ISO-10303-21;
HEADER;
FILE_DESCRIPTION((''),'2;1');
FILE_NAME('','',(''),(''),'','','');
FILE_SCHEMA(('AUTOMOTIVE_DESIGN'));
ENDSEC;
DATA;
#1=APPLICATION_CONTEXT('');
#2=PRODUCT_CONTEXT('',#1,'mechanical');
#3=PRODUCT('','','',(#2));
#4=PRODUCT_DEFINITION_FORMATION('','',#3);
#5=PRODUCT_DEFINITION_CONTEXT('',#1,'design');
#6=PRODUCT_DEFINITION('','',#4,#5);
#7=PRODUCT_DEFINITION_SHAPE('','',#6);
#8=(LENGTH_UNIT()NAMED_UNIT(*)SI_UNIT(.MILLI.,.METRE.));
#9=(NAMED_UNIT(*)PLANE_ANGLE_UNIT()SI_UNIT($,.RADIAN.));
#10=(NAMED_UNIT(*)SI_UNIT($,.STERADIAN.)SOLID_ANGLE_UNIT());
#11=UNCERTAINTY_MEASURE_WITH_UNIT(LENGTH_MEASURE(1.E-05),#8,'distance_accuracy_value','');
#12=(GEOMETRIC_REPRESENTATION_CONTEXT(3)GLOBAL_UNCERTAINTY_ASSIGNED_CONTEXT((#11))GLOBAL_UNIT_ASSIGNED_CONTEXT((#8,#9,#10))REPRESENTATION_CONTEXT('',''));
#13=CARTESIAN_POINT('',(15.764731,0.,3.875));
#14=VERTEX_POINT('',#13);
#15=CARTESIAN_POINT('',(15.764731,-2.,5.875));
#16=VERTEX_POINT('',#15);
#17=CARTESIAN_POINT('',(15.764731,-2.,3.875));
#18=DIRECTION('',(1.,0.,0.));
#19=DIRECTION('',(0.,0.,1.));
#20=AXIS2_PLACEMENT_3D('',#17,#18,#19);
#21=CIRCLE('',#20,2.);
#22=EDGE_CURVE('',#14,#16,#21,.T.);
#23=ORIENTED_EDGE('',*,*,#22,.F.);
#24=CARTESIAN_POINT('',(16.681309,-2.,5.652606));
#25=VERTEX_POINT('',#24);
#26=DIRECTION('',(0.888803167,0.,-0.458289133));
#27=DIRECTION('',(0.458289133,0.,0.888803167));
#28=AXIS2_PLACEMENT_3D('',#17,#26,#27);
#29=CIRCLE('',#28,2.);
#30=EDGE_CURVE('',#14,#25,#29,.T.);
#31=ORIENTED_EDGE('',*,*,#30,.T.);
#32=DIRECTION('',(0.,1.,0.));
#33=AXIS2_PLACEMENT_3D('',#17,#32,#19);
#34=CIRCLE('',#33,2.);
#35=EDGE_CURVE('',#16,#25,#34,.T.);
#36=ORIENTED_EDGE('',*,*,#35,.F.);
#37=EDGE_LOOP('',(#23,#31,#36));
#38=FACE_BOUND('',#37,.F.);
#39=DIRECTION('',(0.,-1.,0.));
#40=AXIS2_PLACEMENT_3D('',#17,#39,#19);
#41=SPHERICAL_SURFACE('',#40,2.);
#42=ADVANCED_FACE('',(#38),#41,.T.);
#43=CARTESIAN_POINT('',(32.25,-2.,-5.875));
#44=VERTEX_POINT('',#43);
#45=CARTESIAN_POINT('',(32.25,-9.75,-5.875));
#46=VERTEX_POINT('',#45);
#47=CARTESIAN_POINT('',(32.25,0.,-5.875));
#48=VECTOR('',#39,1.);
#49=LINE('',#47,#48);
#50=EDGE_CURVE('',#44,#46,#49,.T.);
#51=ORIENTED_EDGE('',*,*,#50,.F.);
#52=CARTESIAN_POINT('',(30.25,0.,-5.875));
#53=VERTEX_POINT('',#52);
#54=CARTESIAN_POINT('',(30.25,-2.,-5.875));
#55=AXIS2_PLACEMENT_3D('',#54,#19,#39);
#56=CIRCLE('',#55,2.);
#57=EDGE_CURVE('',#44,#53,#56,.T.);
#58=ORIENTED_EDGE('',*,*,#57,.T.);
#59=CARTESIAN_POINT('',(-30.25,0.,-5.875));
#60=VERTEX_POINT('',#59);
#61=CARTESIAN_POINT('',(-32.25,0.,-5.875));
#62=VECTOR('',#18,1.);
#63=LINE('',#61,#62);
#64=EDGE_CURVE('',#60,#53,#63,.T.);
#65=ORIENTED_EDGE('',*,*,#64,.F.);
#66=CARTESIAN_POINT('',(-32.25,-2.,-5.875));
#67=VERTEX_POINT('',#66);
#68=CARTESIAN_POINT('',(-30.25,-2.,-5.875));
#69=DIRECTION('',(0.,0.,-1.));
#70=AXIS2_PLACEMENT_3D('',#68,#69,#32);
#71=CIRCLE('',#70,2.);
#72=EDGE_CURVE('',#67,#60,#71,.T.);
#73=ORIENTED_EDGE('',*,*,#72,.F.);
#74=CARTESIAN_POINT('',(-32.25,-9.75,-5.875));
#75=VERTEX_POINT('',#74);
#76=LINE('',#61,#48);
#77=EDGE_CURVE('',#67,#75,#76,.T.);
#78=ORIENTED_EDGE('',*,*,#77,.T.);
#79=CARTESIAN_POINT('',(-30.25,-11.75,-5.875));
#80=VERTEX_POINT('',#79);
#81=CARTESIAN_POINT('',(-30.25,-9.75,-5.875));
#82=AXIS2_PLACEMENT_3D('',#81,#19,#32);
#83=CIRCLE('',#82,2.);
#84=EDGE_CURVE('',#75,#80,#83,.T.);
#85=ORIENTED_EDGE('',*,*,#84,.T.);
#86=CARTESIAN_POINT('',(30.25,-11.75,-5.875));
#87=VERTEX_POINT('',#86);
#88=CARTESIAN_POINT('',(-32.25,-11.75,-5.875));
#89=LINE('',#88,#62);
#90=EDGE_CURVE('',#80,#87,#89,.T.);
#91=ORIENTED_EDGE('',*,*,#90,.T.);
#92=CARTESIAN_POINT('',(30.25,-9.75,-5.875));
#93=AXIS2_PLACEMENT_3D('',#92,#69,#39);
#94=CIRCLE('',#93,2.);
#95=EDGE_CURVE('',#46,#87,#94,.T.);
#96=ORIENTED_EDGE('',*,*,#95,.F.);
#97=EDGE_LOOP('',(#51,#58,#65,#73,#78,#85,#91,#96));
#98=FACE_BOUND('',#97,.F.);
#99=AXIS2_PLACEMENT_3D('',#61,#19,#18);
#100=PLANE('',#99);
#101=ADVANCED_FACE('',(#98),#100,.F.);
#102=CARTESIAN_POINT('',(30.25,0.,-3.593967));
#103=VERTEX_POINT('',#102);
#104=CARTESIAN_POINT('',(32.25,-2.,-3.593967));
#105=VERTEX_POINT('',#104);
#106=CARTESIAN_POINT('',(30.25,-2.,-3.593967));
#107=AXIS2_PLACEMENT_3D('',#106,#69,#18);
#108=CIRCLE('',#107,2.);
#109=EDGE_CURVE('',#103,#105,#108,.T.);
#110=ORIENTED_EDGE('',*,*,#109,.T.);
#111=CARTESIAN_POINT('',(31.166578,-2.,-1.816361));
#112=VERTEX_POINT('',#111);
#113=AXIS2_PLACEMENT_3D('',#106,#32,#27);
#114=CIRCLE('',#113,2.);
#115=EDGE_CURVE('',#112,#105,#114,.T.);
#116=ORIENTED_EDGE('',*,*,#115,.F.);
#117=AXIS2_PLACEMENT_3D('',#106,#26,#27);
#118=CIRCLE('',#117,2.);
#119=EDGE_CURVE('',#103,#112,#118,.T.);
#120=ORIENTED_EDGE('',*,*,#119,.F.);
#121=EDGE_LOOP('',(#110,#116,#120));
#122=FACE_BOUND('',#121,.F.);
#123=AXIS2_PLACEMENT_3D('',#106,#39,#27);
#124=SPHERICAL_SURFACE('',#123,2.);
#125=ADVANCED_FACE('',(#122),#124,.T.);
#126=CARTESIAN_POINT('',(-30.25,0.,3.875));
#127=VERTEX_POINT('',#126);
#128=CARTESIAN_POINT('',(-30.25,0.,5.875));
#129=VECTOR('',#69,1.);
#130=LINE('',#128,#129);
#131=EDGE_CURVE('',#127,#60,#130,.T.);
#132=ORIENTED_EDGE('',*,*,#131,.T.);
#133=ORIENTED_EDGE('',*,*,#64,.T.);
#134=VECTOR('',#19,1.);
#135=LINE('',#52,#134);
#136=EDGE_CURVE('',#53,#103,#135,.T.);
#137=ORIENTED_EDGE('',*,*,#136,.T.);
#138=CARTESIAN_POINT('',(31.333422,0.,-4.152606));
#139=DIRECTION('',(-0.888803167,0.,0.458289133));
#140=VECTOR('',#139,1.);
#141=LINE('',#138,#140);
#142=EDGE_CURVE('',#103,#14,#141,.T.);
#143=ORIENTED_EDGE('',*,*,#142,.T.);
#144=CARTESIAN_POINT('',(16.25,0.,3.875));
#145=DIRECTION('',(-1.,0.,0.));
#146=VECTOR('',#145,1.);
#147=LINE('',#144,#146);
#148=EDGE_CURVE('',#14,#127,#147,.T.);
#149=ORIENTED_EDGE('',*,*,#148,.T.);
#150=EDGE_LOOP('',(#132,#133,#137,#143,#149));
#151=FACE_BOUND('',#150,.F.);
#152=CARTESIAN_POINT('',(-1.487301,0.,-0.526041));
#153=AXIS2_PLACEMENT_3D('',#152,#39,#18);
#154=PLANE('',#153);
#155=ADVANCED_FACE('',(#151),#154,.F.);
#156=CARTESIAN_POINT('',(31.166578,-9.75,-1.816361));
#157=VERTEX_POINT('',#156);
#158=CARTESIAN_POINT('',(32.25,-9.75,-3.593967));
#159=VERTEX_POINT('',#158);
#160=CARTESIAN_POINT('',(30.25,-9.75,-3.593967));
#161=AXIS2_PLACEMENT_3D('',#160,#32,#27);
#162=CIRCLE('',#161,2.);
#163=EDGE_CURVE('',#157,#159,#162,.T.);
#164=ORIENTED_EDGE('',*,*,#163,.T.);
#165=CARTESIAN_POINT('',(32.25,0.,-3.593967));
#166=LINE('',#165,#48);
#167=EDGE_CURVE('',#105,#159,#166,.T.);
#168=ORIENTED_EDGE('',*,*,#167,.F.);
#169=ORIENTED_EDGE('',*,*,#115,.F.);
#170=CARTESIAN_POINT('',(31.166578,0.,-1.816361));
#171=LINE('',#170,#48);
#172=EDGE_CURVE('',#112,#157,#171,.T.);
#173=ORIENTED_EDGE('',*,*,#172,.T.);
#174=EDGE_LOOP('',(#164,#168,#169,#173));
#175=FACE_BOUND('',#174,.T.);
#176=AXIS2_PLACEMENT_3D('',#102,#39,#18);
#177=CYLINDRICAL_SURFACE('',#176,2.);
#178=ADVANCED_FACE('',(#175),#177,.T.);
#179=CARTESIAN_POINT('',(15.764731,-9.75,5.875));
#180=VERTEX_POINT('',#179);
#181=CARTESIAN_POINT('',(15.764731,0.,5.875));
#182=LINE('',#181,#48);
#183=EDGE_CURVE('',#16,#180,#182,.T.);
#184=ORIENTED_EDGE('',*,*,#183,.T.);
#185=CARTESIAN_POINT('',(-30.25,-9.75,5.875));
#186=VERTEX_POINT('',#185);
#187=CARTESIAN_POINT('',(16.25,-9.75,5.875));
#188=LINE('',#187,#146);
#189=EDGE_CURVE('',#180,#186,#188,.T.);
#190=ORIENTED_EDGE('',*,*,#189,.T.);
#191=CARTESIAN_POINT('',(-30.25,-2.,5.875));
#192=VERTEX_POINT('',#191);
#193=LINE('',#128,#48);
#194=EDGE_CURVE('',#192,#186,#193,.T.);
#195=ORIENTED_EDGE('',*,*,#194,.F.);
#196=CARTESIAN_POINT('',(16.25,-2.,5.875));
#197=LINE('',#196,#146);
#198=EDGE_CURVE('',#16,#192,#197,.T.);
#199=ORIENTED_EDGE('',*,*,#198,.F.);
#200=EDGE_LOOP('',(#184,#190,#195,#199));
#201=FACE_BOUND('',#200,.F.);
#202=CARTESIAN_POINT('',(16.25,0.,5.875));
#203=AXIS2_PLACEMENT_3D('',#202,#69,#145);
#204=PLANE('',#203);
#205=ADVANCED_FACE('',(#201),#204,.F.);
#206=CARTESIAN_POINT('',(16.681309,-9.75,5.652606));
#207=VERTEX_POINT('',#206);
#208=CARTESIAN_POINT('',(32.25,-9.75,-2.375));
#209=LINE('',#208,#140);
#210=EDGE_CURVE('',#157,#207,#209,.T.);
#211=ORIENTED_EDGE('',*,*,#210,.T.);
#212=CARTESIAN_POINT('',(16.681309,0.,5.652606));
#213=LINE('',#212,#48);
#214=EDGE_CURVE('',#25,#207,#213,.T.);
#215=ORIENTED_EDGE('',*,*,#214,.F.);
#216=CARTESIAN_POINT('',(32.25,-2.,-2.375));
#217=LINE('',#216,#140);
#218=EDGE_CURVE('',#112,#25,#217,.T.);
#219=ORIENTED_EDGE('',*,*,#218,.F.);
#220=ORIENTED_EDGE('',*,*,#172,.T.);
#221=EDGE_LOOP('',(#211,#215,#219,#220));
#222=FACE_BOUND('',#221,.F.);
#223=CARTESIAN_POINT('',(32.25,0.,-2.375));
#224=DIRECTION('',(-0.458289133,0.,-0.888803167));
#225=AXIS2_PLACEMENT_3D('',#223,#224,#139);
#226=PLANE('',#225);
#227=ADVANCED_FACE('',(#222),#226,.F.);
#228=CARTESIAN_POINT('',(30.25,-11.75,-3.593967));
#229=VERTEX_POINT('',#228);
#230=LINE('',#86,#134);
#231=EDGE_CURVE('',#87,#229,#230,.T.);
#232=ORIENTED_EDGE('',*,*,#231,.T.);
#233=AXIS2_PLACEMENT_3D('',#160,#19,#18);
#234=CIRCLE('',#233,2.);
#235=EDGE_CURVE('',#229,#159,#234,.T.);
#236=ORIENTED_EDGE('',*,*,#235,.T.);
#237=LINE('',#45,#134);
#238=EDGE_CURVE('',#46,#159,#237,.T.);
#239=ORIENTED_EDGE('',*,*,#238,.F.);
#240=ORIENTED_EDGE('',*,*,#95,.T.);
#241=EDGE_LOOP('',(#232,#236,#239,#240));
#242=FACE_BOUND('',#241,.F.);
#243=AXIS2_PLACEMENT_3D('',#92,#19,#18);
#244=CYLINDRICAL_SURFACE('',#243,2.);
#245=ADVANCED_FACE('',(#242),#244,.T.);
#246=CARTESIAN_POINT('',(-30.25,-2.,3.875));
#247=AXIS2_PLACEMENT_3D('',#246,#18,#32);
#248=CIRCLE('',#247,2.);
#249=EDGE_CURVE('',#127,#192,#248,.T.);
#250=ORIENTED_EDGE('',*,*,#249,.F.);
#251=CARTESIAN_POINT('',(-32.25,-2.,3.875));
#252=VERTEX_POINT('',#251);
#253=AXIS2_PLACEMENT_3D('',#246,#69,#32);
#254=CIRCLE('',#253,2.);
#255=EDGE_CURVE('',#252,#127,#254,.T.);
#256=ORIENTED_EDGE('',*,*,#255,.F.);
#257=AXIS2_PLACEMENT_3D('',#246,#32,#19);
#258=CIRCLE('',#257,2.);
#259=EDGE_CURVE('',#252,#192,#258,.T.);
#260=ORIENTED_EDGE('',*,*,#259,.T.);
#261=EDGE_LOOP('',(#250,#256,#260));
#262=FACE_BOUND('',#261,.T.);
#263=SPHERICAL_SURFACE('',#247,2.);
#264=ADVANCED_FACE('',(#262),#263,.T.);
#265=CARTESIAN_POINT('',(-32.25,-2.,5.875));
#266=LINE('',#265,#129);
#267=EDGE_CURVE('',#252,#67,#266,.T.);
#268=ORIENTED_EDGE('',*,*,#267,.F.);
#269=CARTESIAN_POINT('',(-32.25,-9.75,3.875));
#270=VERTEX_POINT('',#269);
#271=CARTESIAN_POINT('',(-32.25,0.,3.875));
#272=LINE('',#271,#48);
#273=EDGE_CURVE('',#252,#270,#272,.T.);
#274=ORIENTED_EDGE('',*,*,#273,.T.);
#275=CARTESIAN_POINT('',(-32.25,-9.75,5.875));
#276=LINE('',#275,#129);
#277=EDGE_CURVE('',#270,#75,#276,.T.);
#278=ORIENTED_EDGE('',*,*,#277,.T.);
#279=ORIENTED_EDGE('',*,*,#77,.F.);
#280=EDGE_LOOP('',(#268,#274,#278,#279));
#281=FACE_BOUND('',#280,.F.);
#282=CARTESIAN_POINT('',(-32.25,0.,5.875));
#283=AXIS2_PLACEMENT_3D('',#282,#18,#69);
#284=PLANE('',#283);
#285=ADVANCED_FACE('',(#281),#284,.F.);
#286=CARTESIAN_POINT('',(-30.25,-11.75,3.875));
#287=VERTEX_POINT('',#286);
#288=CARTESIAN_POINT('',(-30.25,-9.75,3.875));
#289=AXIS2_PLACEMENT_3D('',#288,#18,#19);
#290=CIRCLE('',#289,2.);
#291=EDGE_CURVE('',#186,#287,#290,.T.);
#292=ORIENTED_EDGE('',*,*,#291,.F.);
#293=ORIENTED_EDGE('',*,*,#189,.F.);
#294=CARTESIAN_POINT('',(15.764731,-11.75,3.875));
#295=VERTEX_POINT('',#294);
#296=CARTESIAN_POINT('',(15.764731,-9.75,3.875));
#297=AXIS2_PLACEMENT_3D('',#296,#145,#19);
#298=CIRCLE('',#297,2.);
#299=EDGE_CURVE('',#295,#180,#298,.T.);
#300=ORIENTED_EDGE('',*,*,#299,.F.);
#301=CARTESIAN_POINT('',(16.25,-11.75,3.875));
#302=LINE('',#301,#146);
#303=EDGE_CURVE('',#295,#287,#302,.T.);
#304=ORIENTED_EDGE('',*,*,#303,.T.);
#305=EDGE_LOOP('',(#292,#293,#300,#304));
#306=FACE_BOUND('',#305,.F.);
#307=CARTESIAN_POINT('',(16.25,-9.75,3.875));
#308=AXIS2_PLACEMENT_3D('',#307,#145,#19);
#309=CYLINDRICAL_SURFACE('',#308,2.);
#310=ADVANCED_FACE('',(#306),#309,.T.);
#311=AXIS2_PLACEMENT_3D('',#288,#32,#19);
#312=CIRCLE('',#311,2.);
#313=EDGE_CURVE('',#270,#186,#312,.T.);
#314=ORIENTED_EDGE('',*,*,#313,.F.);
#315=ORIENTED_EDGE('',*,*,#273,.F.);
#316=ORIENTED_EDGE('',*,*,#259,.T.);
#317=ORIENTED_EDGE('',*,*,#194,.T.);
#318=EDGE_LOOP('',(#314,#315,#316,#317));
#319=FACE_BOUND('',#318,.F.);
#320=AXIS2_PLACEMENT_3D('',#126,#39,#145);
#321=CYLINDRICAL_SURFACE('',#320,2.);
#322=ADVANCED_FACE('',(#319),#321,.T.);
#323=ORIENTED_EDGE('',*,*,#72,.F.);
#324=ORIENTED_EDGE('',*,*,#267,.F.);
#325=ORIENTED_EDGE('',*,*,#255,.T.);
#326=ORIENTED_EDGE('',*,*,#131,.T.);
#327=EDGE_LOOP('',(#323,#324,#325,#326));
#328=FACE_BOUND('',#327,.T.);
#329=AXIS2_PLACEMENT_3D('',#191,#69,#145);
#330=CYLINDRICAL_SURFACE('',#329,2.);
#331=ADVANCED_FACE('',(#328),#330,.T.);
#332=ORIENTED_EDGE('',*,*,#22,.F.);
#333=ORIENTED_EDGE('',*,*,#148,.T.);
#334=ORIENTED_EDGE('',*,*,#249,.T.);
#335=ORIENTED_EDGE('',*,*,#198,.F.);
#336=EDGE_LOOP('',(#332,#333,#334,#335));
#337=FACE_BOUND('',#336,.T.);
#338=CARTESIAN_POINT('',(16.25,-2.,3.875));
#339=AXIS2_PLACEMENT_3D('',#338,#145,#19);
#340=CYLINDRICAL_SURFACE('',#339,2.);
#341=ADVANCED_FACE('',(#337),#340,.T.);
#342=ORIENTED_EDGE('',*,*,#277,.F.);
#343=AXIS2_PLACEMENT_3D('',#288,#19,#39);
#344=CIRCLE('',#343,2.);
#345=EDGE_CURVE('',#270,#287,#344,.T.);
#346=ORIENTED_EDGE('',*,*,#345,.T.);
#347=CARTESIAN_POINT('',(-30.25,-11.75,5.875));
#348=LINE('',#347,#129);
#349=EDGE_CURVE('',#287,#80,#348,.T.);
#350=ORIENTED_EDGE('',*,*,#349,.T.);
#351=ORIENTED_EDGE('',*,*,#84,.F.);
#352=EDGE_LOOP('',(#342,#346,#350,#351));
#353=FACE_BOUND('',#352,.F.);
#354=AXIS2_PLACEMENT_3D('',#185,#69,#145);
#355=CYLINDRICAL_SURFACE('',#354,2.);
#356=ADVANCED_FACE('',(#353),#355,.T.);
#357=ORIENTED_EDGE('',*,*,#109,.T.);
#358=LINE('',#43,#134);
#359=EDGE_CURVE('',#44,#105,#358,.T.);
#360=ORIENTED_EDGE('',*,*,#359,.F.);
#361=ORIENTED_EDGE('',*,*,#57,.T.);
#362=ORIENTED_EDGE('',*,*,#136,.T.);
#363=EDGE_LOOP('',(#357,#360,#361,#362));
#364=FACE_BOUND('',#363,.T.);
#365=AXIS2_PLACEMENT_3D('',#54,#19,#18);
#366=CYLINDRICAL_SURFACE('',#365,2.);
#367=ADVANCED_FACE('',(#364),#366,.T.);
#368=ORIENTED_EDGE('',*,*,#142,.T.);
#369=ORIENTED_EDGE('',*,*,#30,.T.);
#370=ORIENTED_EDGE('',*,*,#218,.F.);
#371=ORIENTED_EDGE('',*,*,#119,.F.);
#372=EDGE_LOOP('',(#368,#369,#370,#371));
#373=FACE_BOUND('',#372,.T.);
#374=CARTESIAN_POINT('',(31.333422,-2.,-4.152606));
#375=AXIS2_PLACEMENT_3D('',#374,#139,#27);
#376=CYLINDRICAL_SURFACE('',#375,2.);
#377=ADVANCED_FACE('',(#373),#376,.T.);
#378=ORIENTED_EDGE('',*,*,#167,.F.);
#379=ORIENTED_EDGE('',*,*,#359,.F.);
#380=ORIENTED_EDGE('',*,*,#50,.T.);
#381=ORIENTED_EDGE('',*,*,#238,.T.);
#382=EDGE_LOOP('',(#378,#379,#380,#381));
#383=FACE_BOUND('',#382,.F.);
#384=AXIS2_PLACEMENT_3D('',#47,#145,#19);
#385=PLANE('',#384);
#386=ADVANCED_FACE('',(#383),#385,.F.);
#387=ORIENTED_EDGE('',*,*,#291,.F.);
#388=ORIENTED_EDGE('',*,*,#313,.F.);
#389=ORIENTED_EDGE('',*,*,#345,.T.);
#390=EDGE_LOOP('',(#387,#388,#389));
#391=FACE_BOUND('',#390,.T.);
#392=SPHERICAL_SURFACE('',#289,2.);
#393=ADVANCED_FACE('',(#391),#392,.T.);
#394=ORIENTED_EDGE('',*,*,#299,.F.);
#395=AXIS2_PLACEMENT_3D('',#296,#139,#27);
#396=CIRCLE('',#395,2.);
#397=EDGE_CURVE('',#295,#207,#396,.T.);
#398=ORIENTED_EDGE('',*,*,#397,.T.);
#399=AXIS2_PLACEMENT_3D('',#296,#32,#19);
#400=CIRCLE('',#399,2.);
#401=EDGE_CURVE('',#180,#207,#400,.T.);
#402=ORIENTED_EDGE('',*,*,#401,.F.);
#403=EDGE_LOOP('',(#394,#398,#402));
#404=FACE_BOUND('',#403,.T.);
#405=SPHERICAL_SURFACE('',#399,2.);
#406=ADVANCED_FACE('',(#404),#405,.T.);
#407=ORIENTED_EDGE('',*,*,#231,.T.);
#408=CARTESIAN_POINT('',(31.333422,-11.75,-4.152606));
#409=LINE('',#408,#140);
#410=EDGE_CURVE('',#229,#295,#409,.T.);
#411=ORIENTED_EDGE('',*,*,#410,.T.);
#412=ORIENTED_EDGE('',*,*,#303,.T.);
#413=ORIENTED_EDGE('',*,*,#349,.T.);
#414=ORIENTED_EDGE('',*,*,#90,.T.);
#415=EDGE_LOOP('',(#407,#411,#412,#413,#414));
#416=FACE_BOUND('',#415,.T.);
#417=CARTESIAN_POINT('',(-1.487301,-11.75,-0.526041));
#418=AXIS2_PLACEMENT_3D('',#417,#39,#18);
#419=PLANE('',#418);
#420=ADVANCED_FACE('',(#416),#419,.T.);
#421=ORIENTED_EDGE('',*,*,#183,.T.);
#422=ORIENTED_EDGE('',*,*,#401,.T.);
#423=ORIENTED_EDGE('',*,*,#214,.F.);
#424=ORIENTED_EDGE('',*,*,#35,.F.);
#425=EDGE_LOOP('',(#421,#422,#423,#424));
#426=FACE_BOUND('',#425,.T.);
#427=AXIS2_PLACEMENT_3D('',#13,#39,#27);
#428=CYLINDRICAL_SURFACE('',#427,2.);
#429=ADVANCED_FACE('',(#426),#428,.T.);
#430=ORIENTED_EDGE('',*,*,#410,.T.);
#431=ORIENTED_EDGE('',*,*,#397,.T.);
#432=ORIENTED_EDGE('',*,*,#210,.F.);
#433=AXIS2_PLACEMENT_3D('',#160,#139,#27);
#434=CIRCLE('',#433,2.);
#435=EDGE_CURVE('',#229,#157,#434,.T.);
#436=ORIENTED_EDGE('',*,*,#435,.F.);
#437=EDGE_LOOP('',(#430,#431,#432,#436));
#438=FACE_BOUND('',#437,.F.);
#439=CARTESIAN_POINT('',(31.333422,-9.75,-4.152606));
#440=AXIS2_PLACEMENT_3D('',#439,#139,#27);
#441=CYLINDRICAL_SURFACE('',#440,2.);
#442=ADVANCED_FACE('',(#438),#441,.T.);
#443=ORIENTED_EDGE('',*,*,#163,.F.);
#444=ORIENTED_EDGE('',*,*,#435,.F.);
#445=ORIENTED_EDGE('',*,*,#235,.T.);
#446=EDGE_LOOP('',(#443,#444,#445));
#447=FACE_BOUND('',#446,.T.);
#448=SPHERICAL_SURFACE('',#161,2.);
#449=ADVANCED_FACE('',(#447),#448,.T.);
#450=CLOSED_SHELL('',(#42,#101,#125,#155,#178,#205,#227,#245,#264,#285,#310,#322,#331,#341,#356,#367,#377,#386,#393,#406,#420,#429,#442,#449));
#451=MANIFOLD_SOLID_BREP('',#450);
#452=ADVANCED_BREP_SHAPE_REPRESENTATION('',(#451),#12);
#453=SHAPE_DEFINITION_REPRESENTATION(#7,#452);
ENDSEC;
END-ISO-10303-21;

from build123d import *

# Parameters (mm, degrees)
PAD_DEPTH = 11.75
FILLET_R  = 2


with BuildPart() as part:
    # Sketch (on XZ_Plane of Origin) → Pad (new body)
    with BuildSketch(Plane.XZ):
        Polygon((-32.25, 5.875), (-32.25, -5.875), (32.25, -5.875), (32.25, -2.375), (16.25, 5.875), align=None)
    extrude(amount=PAD_DEPTH)

    # Fillet
    fillet_edges = [part.edges().sort_by_distance(p)[0] for p in [
        (32.25, 0, -4.125),
        (32.25, -11.75, -4.125),
        (32.25, -5.875, -2.375),
        (24.25, -11.75, 1.75),
        (24.25, 0, 1.75),
        (16.25, -5.875, 5.875),
        (-8, -11.75, 5.875),
        (-8, 0, 5.875),
        (-32.25, 0, 0),
        (-32.25, -5.875, 5.875),
        (-32.25, -11.75, 0),
    ]]
    fillet(fillet_edges, radius=FILLET_R)


solid = part.part
